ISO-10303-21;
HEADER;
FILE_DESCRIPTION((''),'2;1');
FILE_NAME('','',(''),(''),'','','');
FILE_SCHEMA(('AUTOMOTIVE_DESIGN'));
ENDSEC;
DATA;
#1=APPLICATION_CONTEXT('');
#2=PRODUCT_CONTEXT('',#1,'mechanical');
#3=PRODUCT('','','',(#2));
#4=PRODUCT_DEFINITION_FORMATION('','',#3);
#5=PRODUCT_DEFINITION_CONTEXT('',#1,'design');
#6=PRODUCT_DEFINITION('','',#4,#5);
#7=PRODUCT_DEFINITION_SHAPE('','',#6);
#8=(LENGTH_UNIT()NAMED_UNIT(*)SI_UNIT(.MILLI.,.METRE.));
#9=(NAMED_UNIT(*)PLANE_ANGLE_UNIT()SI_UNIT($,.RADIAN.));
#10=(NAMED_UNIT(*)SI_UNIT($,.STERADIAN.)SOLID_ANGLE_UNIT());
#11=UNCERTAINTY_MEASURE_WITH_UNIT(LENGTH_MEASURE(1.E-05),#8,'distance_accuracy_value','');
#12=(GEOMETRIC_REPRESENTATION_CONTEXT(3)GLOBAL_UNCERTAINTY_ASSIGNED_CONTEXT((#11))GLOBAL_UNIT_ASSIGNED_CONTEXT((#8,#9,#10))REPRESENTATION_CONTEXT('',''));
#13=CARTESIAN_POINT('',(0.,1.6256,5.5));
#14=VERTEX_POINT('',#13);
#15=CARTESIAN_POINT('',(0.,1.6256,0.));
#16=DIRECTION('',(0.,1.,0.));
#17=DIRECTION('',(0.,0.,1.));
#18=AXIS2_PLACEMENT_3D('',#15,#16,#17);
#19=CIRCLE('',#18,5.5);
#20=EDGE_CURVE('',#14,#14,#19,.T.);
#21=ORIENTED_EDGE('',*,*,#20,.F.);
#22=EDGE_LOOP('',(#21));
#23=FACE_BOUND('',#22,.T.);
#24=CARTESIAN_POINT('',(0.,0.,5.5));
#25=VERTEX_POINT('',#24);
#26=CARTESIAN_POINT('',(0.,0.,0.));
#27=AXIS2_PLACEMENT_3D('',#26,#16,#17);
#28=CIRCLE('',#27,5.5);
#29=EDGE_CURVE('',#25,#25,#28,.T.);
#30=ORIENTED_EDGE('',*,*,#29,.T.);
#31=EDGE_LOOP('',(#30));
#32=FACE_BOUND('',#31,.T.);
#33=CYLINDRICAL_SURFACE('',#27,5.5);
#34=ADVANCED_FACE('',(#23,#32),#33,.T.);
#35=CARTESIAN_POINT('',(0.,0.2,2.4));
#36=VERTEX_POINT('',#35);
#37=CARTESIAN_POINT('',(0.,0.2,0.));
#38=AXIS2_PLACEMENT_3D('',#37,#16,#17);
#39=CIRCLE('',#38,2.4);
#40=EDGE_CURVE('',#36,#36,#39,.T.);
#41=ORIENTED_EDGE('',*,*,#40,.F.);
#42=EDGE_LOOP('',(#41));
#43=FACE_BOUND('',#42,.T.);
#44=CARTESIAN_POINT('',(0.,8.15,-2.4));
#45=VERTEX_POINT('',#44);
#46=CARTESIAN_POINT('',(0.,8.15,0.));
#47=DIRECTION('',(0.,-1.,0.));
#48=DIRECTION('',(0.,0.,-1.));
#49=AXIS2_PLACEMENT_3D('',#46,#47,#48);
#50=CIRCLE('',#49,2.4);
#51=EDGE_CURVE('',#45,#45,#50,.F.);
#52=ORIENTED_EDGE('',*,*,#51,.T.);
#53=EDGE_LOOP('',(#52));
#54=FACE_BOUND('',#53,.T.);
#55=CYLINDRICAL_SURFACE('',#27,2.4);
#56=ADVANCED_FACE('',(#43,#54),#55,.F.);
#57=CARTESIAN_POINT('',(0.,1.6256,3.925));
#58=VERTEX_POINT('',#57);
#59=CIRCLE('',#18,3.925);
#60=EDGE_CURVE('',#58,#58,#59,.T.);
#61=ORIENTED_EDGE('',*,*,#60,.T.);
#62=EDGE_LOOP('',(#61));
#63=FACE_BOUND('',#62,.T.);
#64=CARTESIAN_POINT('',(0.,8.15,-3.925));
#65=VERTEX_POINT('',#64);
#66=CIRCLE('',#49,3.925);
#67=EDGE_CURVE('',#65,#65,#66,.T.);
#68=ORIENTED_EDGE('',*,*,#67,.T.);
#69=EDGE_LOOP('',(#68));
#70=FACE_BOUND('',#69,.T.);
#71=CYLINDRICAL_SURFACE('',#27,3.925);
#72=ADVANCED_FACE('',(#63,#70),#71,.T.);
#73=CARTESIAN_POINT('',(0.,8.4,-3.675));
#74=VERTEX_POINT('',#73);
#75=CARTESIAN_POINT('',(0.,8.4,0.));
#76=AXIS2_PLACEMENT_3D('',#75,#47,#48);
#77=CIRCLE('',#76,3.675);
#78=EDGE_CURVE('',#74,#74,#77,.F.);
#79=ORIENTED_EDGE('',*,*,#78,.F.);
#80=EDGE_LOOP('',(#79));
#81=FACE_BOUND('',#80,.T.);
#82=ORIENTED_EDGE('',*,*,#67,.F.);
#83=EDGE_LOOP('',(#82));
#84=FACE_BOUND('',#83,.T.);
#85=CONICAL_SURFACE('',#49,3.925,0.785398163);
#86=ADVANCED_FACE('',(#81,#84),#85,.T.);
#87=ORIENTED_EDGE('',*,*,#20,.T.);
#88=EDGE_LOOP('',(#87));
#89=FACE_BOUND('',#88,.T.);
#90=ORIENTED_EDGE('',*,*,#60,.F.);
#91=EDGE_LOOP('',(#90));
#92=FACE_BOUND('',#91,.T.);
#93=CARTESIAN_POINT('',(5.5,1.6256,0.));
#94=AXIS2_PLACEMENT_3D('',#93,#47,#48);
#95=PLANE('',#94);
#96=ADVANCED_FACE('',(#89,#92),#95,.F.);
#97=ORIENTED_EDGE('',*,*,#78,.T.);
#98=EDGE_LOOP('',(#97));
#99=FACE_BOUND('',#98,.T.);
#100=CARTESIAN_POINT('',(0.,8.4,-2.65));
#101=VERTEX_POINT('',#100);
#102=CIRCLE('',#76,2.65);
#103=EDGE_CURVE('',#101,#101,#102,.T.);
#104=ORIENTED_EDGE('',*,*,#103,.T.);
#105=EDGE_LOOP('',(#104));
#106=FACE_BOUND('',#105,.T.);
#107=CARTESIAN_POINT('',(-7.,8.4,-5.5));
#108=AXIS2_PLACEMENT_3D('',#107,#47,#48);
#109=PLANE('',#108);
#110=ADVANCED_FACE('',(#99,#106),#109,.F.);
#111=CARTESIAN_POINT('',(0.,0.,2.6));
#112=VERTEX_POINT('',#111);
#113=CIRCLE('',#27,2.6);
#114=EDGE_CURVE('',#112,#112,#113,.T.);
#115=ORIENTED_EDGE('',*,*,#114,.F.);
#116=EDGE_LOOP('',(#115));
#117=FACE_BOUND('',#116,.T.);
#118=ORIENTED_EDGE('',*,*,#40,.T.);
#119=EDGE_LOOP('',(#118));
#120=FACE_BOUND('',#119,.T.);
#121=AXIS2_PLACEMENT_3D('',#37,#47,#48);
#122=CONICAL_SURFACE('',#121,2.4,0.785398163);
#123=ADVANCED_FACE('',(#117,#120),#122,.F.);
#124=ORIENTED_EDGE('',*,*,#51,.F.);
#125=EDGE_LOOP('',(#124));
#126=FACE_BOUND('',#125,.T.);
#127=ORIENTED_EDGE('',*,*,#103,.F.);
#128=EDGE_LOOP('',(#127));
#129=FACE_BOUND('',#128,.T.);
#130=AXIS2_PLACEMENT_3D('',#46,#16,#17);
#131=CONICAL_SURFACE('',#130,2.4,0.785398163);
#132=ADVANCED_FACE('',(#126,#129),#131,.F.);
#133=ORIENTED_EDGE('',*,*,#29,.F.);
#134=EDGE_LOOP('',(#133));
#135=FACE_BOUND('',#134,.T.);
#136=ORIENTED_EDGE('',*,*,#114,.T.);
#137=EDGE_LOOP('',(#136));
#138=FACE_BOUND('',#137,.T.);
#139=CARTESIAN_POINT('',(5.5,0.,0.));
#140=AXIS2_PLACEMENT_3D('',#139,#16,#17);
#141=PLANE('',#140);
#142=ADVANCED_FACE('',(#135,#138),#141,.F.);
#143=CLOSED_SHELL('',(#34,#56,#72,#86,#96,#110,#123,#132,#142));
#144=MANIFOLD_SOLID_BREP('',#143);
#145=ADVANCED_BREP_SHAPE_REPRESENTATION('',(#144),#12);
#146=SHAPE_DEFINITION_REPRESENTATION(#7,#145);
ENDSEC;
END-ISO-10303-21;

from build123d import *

# Parameters (mm, degrees)
SKETCH2_W               = 14
SKETCH2_H               = 8
CUT_EXTRUDE1_DEPTH      = 6.5
CUT_EXTRUDE1_DEPTH_BACK = 6.5
CHAMFER1_SIZE           = 0.25


with BuildPart() as part:
    # Sketch1 → Revolve1 (revolve)
    with BuildSketch(Plane.XY):
        Polygon((3.925, 1.6256), (3.925, 12.4), (2.4, 12.4), (2.4, 0.2), (2.6, 0), (5.5, 0), (5.5, 1.6256), align=None)
    revolve(axis=Axis((0, 0, 0), (0, -1, 0)))

    # Sketch2 → Cut-Extrude1 (cut, two sides)
    with BuildSketch(Plane.XY) as cut_extrude1_sk:
        with Locations((0, 12.4)):
            Rectangle(SKETCH2_W, SKETCH2_H)
    extrude(amount=CUT_EXTRUDE1_DEPTH, mode=Mode.SUBTRACT)
    extrude(cut_extrude1_sk.sketch, amount=-CUT_EXTRUDE1_DEPTH_BACK, mode=Mode.SUBTRACT)

    # Chamfer1
    chamfer1_edges = [part.edges().sort_by_distance(p)[0] for p in [
        (-3.925, 8.4, 0),
        (-2.4, 8.4, 0),
    ]]
    chamfer(chamfer1_edges, length=CHAMFER1_SIZE)


solid = part.part
